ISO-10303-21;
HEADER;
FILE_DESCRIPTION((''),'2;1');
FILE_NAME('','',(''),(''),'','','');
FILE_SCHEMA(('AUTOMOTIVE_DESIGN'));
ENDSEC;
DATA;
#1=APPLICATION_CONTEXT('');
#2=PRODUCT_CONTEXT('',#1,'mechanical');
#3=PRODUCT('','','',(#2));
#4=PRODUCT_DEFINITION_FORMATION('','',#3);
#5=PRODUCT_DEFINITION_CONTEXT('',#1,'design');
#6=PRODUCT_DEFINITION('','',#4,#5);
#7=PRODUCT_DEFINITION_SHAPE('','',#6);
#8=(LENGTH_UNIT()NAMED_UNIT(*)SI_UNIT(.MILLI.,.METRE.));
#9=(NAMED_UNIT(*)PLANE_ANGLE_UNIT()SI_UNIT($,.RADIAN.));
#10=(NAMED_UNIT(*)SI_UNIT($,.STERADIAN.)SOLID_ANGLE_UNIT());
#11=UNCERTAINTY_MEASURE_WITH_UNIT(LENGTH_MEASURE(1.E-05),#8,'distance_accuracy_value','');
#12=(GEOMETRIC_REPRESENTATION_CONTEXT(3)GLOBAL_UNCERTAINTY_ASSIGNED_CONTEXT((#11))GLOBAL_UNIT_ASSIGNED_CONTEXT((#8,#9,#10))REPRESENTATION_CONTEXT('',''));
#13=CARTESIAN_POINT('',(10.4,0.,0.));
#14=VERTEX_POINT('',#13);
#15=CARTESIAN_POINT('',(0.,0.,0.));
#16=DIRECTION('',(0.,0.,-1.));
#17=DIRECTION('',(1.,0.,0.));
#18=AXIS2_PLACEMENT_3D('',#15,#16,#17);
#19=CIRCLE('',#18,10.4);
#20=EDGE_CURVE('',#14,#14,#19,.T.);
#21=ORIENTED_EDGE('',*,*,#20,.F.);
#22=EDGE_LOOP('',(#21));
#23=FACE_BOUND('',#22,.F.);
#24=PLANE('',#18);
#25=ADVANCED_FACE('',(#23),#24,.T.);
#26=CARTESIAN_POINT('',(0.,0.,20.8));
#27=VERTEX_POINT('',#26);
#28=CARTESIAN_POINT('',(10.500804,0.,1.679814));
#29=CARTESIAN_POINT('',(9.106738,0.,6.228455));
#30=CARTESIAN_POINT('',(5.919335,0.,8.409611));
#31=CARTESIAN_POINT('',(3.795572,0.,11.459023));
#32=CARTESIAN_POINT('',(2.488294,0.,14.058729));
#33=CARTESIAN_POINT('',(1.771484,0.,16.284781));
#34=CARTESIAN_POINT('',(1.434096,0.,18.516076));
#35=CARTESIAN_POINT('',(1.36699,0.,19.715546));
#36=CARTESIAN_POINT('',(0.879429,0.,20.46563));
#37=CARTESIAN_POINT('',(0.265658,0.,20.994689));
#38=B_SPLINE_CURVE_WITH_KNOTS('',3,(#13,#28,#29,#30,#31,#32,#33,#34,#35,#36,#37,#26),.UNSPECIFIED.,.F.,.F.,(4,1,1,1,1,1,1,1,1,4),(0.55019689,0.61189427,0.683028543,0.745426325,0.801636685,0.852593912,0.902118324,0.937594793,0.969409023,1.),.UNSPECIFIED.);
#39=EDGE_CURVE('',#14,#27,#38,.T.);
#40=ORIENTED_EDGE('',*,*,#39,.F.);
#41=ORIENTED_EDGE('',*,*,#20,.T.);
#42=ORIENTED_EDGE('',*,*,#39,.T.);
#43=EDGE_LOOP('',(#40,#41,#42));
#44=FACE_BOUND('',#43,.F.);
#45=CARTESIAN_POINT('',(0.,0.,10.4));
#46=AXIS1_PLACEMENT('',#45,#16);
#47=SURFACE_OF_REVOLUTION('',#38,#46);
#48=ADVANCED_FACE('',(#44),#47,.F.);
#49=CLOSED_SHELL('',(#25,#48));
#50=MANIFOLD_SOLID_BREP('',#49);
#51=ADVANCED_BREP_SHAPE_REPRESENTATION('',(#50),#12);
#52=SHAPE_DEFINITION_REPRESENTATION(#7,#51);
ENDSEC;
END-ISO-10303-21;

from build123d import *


with BuildPart() as f1:
    # F0 (on Front) → F1 (revolve)
    with BuildSketch(Plane.XZ):
        with BuildLine():
            add(Edge.make_bspline(
                [(10.4, 0), (10.5008042743, 1.679813962), (9.1067379161, 6.2284547472), (5.9193346241, 8.4096113166), (3.7955719523, 11.4590233173), (2.488293591, 14.0587291458), (1.7714840382, 16.2847806771), (1.4340961577, 18.5160764967), (1.3669896182, 19.7155456979), (0.8794289852, 20.4656296083), (0.265658463, 20.9946887161), (0, 20.8)],
                knots=[0.55019689, 0.55019689, 0.55019689, 0.55019689, 0.6118942697, 0.683028543, 0.7454263247, 0.801636685, 0.8525939124, 0.9021183243, 0.9375947934, 0.9694090225, 1, 1, 1, 1], degree=3))
            Line((0, 20.8), (0, 0))
            Line((0, 0), (10.4, 0))
        make_face()
    revolve(axis=Axis((0, 0, 10.4), (0, 0, -1)))


solid = f1.part
